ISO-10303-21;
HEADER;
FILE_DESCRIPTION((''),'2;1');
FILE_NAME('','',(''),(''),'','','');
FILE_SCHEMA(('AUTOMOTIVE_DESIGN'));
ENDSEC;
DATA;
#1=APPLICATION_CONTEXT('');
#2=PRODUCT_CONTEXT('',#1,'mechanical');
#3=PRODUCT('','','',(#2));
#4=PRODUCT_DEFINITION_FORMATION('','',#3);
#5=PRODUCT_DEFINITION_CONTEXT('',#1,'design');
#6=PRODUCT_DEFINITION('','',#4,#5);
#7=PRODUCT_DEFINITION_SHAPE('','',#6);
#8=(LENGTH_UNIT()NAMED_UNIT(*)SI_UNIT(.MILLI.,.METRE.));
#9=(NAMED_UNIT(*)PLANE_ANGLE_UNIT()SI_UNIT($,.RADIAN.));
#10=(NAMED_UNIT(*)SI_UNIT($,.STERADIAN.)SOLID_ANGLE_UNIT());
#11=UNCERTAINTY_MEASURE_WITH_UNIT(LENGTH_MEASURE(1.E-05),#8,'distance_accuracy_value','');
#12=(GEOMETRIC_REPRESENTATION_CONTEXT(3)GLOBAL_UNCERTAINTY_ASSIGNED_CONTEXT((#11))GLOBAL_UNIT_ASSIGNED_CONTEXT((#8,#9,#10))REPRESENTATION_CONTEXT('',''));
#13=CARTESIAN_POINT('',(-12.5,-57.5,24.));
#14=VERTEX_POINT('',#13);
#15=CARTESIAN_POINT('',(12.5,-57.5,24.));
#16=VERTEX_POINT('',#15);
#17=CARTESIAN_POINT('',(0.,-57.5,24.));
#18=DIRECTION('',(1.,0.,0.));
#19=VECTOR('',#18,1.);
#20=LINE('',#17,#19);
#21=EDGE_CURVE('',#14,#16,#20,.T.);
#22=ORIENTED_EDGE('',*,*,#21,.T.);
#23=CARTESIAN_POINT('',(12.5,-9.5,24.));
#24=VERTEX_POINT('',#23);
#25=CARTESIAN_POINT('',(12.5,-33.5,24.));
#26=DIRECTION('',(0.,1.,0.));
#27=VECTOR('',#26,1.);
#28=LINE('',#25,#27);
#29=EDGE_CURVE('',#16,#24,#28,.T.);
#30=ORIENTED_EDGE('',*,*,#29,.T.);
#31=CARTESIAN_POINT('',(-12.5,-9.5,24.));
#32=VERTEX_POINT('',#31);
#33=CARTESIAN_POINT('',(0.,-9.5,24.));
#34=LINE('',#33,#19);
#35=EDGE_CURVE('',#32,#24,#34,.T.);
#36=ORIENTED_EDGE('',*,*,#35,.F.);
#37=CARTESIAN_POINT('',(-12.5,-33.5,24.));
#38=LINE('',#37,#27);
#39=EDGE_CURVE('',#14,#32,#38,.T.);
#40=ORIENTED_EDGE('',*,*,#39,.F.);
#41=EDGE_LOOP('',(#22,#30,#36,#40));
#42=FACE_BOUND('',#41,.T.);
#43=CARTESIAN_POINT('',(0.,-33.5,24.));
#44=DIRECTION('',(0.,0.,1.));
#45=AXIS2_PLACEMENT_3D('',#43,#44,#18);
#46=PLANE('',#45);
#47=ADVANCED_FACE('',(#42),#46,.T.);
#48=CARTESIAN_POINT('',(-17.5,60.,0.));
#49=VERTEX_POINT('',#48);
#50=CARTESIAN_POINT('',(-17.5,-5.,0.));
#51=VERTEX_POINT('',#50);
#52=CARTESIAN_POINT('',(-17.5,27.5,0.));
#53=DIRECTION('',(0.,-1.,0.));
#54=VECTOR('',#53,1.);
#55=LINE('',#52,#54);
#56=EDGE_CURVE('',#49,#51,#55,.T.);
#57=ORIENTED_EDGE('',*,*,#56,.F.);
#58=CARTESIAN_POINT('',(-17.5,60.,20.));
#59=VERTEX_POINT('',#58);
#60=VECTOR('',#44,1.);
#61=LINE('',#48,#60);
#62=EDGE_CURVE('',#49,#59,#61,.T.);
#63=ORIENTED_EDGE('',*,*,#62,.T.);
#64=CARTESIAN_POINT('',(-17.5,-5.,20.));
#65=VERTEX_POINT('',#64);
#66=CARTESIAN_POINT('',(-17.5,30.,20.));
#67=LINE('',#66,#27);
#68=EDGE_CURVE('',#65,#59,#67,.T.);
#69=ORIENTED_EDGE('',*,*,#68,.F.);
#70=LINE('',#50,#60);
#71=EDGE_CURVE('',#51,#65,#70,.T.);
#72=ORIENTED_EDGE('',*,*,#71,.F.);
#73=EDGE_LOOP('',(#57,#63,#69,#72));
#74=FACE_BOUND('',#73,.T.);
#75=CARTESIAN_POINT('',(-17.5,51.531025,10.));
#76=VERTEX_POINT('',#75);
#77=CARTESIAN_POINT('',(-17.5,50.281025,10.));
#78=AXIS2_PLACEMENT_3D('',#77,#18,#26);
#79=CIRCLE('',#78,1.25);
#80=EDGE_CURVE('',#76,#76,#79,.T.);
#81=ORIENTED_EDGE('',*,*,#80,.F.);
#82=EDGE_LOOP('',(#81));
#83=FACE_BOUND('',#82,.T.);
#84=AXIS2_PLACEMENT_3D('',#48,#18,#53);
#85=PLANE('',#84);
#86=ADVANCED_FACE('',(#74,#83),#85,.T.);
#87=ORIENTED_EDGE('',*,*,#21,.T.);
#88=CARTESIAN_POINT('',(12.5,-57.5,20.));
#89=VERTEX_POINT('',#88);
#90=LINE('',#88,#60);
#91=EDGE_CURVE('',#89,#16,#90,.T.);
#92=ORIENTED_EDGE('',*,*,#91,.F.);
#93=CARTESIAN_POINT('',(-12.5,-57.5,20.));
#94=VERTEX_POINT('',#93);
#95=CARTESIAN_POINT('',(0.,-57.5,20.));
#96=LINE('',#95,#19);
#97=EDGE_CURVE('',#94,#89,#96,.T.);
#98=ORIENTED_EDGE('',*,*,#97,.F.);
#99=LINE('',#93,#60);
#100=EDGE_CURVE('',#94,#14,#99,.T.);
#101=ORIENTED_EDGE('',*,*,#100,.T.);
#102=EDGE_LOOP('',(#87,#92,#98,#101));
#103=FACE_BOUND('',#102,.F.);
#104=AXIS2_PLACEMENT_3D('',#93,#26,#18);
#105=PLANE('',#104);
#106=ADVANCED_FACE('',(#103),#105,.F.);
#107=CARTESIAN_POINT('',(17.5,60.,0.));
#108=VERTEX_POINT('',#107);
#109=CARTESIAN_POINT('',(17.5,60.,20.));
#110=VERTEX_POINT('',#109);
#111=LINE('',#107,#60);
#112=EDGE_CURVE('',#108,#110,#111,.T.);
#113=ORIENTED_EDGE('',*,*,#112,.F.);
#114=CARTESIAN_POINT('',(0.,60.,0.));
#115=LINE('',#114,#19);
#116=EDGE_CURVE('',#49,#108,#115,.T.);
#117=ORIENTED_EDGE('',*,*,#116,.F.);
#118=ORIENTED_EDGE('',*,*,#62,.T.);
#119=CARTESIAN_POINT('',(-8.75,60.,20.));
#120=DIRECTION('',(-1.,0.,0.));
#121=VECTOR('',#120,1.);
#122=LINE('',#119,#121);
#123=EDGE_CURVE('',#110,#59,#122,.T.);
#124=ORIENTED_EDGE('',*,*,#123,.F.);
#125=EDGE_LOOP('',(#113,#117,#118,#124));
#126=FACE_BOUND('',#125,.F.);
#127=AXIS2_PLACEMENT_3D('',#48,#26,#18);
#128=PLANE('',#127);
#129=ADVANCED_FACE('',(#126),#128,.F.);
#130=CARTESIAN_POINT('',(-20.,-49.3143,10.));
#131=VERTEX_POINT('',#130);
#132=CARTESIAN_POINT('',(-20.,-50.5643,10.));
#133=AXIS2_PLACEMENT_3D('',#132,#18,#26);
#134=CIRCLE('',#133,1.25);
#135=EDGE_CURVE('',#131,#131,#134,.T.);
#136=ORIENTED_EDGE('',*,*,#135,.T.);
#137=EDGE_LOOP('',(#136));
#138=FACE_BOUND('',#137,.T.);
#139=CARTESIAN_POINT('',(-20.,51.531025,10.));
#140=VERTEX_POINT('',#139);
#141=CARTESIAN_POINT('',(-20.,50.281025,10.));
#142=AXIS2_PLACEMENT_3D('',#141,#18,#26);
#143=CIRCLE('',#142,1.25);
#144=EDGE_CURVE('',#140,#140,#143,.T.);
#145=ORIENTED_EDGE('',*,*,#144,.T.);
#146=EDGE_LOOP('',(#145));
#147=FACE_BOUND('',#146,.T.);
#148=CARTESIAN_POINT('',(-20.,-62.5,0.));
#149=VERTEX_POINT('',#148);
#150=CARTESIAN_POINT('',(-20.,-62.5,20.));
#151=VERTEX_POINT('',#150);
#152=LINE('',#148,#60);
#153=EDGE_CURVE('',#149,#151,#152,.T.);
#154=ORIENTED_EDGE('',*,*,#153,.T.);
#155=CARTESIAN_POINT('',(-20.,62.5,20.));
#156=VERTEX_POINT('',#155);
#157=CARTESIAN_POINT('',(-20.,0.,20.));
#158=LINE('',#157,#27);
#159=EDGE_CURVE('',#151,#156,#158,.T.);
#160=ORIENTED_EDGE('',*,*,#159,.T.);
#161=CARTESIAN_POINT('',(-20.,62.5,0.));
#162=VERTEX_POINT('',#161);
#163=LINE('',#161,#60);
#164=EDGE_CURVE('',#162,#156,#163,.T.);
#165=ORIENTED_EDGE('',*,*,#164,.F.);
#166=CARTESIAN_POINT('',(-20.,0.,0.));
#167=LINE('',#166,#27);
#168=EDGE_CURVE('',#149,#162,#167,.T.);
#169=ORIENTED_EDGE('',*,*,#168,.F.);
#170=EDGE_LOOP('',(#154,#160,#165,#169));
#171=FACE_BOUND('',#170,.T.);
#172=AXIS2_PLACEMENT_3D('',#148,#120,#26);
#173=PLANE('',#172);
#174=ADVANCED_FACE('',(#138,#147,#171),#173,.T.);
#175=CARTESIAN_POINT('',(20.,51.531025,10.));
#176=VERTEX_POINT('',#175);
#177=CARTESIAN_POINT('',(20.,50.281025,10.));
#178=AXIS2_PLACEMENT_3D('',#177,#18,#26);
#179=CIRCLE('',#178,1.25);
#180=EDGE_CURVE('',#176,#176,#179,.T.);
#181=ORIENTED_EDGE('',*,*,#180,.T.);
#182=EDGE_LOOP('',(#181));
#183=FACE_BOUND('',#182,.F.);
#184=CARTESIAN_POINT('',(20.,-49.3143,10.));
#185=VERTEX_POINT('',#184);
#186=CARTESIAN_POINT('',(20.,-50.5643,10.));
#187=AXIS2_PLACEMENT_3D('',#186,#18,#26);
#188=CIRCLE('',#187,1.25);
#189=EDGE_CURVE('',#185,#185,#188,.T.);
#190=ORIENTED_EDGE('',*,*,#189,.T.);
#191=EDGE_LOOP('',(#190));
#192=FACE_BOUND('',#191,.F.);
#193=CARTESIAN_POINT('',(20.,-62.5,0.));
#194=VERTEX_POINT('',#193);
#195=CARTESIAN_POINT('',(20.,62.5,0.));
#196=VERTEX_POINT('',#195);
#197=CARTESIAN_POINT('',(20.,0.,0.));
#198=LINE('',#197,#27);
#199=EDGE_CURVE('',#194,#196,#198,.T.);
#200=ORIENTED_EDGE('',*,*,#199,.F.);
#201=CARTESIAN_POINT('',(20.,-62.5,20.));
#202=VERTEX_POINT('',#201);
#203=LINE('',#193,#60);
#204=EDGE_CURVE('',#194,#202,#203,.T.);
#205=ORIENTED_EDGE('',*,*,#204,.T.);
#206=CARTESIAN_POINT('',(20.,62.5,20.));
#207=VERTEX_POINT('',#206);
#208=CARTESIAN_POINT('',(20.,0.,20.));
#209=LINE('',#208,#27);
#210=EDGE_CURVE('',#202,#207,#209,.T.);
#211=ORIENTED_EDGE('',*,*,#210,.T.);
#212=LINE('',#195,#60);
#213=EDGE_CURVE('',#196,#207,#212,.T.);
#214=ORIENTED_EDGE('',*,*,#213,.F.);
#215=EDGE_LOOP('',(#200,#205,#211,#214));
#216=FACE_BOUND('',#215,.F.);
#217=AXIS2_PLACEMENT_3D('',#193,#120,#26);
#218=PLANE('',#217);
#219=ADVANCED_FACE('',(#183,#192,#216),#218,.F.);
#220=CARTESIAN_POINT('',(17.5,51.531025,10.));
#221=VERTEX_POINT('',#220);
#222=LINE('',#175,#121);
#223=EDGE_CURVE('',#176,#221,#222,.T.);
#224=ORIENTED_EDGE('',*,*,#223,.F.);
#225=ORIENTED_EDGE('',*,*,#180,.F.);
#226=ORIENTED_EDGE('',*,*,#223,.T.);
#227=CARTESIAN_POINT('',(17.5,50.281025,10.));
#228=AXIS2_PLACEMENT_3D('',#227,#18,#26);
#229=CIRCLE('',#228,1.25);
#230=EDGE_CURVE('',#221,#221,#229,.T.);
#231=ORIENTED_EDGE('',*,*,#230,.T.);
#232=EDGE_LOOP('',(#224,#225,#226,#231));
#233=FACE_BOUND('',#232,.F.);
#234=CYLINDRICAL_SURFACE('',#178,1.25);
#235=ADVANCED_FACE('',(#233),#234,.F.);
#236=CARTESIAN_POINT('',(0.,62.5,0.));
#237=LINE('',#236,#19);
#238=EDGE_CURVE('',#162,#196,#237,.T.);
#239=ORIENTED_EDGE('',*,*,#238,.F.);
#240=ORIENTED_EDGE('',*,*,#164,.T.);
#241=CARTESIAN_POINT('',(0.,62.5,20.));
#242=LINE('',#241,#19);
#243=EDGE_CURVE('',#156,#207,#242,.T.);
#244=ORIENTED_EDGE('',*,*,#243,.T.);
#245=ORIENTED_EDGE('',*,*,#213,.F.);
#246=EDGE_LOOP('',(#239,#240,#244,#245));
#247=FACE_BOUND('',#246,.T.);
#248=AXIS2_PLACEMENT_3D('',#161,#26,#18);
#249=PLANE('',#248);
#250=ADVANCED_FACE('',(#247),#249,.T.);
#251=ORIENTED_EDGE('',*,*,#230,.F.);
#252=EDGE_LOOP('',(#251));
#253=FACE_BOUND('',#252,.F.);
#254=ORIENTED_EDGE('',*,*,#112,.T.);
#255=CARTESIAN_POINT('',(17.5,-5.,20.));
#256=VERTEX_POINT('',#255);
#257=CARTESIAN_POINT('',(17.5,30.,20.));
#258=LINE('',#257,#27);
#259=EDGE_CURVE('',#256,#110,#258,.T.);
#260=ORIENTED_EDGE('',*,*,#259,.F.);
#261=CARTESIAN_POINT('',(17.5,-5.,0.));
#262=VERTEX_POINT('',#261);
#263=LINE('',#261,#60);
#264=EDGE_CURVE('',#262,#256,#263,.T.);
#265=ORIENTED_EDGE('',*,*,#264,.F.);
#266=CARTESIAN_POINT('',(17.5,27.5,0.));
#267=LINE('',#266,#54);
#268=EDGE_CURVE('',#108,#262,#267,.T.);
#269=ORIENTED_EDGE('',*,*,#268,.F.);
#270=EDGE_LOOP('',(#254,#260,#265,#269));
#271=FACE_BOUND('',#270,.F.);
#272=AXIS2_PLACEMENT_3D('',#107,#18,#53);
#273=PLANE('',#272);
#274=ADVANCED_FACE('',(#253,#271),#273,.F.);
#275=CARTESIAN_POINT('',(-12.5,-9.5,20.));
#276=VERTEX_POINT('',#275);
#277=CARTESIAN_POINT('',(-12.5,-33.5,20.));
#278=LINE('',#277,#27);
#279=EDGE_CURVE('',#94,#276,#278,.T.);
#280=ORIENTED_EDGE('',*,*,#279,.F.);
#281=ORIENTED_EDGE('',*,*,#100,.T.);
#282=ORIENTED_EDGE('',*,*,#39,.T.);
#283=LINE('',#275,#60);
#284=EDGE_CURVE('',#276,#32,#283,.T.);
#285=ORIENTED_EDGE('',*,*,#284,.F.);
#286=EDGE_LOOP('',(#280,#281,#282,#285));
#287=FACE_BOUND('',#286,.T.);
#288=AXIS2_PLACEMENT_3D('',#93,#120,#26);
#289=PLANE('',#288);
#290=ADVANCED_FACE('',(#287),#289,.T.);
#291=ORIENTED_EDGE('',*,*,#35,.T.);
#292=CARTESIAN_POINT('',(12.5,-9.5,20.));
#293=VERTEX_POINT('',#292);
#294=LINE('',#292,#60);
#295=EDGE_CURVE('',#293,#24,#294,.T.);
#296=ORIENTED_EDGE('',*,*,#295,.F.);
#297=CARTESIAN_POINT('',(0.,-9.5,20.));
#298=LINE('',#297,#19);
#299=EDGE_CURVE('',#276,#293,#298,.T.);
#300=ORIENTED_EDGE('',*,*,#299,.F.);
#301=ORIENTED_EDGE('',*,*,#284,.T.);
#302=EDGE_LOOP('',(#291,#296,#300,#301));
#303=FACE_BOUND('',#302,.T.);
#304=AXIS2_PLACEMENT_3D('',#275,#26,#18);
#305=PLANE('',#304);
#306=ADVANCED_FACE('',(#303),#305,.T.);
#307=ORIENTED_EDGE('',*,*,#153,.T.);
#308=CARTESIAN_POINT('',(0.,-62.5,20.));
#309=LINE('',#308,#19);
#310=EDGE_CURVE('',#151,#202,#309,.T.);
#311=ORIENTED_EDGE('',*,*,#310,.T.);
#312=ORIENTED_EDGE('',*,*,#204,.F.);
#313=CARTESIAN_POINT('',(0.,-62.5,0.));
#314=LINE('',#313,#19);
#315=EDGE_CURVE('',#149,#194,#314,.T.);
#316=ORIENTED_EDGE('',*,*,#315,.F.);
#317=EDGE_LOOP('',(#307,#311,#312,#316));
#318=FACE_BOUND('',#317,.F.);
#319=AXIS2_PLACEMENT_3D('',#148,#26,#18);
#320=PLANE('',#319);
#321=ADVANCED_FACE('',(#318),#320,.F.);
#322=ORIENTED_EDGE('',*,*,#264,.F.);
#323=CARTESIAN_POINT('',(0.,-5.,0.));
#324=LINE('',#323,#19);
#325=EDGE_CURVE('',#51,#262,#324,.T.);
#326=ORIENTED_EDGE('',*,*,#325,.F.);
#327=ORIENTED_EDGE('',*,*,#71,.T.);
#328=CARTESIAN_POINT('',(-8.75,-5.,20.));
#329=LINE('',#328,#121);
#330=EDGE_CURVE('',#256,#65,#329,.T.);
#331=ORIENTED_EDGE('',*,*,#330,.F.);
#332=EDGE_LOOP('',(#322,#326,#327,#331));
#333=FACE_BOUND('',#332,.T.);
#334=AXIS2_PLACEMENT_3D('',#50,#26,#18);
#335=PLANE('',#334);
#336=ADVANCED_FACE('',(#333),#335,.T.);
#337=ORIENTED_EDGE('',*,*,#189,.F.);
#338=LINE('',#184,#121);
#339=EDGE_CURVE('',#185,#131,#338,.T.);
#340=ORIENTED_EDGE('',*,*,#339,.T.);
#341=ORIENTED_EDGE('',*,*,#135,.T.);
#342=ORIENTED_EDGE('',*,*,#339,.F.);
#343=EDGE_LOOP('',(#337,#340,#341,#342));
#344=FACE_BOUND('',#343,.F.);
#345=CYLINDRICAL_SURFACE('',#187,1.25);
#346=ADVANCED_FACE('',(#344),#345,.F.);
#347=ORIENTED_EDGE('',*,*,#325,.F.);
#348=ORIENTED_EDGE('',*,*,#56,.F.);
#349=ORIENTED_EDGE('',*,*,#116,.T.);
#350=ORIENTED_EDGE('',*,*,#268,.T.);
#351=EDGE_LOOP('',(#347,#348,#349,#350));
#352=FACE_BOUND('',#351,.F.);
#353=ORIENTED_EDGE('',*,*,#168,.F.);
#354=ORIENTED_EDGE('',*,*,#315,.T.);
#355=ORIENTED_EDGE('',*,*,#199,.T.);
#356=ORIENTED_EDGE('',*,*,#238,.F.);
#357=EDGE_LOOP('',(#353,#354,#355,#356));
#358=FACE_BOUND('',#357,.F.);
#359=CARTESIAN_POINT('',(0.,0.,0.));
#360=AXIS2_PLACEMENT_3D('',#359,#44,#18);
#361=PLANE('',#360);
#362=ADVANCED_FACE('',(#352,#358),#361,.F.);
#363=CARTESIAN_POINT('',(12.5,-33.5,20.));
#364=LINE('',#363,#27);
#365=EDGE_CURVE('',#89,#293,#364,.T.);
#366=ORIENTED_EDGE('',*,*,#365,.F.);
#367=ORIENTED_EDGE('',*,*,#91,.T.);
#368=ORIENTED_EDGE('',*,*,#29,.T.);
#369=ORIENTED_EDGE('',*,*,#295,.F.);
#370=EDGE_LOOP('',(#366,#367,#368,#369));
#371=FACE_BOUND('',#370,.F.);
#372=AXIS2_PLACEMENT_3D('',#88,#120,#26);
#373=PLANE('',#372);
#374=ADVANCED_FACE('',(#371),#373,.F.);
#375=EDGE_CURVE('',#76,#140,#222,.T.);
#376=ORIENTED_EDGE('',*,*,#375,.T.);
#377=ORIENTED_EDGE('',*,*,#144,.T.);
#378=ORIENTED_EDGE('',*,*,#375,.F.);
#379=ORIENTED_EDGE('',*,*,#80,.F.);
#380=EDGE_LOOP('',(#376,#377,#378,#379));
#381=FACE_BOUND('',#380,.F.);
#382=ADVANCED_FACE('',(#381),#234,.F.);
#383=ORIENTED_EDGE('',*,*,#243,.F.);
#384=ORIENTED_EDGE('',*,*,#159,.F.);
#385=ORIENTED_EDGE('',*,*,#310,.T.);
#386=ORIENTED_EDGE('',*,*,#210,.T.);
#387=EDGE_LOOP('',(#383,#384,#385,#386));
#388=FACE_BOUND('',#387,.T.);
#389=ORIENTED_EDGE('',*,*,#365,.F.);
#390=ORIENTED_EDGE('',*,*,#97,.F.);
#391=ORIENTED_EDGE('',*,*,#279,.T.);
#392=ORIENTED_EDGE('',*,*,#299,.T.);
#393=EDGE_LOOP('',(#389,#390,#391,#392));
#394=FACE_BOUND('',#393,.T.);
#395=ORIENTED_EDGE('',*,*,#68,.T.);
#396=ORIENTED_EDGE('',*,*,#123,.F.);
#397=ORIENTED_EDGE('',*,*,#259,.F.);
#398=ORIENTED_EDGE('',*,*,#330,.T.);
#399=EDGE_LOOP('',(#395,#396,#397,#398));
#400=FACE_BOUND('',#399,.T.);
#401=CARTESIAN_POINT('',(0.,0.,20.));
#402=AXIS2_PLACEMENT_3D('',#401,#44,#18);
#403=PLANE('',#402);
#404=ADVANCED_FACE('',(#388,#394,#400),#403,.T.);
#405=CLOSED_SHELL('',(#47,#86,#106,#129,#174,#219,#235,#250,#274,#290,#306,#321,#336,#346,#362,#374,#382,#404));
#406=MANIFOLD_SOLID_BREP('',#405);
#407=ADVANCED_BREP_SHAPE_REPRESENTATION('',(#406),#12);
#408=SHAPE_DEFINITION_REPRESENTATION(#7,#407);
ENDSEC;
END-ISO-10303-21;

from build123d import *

# Parameters (mm, degrees)
F0_W     = 40
F0_H     = 125
F1_DEPTH = 20
F2_W     = 35
F2_H     = 65
F3_DEPTH = 42.6
F5_W     = 25
F5_H     = 48
F6_DEPTH = 4
F4_R     = 1.25
F7_DEPTH = 180
F8_R     = 1.25
F9_DEPTH = 71


with BuildPart() as f1:
    # F0 (on Top) → F1 (new body)
    with BuildSketch(Plane.XY):
        Rectangle(F0_W, F0_H)
    extrude(amount=F1_DEPTH)

    # F2 (on face) → F3 (cut)
    with BuildSketch(Plane(origin=(0, 0, 0), x_dir=(1, 0, 0), z_dir=(0, 0, -1))):
        with Locations((0, -27.5)):
            Rectangle(F2_W, F2_H)
    extrude(amount=-F3_DEPTH, mode=Mode.SUBTRACT)

    # F5 (on face) → F6 (join)
    with BuildSketch(Plane.XY.offset(20)):
        with Locations((0, -33.5)):
            Rectangle(F5_W, F5_H)
    extrude(amount=F6_DEPTH)

    # F4 (on face) → F7 (cut)
    with BuildSketch(Plane.YZ.offset(20)):
        with Locations((-50.5643, 10)):
            Circle(F4_R)
    extrude(amount=-F7_DEPTH, mode=Mode.SUBTRACT)

    # F8 (on face) → F9 (cut)
    with BuildSketch(Plane.YZ.offset(20)):
        with Locations((50.281025, 10)):
            Circle(F8_R)
    extrude(amount=-F9_DEPTH, mode=Mode.SUBTRACT)


solid = f1.part
